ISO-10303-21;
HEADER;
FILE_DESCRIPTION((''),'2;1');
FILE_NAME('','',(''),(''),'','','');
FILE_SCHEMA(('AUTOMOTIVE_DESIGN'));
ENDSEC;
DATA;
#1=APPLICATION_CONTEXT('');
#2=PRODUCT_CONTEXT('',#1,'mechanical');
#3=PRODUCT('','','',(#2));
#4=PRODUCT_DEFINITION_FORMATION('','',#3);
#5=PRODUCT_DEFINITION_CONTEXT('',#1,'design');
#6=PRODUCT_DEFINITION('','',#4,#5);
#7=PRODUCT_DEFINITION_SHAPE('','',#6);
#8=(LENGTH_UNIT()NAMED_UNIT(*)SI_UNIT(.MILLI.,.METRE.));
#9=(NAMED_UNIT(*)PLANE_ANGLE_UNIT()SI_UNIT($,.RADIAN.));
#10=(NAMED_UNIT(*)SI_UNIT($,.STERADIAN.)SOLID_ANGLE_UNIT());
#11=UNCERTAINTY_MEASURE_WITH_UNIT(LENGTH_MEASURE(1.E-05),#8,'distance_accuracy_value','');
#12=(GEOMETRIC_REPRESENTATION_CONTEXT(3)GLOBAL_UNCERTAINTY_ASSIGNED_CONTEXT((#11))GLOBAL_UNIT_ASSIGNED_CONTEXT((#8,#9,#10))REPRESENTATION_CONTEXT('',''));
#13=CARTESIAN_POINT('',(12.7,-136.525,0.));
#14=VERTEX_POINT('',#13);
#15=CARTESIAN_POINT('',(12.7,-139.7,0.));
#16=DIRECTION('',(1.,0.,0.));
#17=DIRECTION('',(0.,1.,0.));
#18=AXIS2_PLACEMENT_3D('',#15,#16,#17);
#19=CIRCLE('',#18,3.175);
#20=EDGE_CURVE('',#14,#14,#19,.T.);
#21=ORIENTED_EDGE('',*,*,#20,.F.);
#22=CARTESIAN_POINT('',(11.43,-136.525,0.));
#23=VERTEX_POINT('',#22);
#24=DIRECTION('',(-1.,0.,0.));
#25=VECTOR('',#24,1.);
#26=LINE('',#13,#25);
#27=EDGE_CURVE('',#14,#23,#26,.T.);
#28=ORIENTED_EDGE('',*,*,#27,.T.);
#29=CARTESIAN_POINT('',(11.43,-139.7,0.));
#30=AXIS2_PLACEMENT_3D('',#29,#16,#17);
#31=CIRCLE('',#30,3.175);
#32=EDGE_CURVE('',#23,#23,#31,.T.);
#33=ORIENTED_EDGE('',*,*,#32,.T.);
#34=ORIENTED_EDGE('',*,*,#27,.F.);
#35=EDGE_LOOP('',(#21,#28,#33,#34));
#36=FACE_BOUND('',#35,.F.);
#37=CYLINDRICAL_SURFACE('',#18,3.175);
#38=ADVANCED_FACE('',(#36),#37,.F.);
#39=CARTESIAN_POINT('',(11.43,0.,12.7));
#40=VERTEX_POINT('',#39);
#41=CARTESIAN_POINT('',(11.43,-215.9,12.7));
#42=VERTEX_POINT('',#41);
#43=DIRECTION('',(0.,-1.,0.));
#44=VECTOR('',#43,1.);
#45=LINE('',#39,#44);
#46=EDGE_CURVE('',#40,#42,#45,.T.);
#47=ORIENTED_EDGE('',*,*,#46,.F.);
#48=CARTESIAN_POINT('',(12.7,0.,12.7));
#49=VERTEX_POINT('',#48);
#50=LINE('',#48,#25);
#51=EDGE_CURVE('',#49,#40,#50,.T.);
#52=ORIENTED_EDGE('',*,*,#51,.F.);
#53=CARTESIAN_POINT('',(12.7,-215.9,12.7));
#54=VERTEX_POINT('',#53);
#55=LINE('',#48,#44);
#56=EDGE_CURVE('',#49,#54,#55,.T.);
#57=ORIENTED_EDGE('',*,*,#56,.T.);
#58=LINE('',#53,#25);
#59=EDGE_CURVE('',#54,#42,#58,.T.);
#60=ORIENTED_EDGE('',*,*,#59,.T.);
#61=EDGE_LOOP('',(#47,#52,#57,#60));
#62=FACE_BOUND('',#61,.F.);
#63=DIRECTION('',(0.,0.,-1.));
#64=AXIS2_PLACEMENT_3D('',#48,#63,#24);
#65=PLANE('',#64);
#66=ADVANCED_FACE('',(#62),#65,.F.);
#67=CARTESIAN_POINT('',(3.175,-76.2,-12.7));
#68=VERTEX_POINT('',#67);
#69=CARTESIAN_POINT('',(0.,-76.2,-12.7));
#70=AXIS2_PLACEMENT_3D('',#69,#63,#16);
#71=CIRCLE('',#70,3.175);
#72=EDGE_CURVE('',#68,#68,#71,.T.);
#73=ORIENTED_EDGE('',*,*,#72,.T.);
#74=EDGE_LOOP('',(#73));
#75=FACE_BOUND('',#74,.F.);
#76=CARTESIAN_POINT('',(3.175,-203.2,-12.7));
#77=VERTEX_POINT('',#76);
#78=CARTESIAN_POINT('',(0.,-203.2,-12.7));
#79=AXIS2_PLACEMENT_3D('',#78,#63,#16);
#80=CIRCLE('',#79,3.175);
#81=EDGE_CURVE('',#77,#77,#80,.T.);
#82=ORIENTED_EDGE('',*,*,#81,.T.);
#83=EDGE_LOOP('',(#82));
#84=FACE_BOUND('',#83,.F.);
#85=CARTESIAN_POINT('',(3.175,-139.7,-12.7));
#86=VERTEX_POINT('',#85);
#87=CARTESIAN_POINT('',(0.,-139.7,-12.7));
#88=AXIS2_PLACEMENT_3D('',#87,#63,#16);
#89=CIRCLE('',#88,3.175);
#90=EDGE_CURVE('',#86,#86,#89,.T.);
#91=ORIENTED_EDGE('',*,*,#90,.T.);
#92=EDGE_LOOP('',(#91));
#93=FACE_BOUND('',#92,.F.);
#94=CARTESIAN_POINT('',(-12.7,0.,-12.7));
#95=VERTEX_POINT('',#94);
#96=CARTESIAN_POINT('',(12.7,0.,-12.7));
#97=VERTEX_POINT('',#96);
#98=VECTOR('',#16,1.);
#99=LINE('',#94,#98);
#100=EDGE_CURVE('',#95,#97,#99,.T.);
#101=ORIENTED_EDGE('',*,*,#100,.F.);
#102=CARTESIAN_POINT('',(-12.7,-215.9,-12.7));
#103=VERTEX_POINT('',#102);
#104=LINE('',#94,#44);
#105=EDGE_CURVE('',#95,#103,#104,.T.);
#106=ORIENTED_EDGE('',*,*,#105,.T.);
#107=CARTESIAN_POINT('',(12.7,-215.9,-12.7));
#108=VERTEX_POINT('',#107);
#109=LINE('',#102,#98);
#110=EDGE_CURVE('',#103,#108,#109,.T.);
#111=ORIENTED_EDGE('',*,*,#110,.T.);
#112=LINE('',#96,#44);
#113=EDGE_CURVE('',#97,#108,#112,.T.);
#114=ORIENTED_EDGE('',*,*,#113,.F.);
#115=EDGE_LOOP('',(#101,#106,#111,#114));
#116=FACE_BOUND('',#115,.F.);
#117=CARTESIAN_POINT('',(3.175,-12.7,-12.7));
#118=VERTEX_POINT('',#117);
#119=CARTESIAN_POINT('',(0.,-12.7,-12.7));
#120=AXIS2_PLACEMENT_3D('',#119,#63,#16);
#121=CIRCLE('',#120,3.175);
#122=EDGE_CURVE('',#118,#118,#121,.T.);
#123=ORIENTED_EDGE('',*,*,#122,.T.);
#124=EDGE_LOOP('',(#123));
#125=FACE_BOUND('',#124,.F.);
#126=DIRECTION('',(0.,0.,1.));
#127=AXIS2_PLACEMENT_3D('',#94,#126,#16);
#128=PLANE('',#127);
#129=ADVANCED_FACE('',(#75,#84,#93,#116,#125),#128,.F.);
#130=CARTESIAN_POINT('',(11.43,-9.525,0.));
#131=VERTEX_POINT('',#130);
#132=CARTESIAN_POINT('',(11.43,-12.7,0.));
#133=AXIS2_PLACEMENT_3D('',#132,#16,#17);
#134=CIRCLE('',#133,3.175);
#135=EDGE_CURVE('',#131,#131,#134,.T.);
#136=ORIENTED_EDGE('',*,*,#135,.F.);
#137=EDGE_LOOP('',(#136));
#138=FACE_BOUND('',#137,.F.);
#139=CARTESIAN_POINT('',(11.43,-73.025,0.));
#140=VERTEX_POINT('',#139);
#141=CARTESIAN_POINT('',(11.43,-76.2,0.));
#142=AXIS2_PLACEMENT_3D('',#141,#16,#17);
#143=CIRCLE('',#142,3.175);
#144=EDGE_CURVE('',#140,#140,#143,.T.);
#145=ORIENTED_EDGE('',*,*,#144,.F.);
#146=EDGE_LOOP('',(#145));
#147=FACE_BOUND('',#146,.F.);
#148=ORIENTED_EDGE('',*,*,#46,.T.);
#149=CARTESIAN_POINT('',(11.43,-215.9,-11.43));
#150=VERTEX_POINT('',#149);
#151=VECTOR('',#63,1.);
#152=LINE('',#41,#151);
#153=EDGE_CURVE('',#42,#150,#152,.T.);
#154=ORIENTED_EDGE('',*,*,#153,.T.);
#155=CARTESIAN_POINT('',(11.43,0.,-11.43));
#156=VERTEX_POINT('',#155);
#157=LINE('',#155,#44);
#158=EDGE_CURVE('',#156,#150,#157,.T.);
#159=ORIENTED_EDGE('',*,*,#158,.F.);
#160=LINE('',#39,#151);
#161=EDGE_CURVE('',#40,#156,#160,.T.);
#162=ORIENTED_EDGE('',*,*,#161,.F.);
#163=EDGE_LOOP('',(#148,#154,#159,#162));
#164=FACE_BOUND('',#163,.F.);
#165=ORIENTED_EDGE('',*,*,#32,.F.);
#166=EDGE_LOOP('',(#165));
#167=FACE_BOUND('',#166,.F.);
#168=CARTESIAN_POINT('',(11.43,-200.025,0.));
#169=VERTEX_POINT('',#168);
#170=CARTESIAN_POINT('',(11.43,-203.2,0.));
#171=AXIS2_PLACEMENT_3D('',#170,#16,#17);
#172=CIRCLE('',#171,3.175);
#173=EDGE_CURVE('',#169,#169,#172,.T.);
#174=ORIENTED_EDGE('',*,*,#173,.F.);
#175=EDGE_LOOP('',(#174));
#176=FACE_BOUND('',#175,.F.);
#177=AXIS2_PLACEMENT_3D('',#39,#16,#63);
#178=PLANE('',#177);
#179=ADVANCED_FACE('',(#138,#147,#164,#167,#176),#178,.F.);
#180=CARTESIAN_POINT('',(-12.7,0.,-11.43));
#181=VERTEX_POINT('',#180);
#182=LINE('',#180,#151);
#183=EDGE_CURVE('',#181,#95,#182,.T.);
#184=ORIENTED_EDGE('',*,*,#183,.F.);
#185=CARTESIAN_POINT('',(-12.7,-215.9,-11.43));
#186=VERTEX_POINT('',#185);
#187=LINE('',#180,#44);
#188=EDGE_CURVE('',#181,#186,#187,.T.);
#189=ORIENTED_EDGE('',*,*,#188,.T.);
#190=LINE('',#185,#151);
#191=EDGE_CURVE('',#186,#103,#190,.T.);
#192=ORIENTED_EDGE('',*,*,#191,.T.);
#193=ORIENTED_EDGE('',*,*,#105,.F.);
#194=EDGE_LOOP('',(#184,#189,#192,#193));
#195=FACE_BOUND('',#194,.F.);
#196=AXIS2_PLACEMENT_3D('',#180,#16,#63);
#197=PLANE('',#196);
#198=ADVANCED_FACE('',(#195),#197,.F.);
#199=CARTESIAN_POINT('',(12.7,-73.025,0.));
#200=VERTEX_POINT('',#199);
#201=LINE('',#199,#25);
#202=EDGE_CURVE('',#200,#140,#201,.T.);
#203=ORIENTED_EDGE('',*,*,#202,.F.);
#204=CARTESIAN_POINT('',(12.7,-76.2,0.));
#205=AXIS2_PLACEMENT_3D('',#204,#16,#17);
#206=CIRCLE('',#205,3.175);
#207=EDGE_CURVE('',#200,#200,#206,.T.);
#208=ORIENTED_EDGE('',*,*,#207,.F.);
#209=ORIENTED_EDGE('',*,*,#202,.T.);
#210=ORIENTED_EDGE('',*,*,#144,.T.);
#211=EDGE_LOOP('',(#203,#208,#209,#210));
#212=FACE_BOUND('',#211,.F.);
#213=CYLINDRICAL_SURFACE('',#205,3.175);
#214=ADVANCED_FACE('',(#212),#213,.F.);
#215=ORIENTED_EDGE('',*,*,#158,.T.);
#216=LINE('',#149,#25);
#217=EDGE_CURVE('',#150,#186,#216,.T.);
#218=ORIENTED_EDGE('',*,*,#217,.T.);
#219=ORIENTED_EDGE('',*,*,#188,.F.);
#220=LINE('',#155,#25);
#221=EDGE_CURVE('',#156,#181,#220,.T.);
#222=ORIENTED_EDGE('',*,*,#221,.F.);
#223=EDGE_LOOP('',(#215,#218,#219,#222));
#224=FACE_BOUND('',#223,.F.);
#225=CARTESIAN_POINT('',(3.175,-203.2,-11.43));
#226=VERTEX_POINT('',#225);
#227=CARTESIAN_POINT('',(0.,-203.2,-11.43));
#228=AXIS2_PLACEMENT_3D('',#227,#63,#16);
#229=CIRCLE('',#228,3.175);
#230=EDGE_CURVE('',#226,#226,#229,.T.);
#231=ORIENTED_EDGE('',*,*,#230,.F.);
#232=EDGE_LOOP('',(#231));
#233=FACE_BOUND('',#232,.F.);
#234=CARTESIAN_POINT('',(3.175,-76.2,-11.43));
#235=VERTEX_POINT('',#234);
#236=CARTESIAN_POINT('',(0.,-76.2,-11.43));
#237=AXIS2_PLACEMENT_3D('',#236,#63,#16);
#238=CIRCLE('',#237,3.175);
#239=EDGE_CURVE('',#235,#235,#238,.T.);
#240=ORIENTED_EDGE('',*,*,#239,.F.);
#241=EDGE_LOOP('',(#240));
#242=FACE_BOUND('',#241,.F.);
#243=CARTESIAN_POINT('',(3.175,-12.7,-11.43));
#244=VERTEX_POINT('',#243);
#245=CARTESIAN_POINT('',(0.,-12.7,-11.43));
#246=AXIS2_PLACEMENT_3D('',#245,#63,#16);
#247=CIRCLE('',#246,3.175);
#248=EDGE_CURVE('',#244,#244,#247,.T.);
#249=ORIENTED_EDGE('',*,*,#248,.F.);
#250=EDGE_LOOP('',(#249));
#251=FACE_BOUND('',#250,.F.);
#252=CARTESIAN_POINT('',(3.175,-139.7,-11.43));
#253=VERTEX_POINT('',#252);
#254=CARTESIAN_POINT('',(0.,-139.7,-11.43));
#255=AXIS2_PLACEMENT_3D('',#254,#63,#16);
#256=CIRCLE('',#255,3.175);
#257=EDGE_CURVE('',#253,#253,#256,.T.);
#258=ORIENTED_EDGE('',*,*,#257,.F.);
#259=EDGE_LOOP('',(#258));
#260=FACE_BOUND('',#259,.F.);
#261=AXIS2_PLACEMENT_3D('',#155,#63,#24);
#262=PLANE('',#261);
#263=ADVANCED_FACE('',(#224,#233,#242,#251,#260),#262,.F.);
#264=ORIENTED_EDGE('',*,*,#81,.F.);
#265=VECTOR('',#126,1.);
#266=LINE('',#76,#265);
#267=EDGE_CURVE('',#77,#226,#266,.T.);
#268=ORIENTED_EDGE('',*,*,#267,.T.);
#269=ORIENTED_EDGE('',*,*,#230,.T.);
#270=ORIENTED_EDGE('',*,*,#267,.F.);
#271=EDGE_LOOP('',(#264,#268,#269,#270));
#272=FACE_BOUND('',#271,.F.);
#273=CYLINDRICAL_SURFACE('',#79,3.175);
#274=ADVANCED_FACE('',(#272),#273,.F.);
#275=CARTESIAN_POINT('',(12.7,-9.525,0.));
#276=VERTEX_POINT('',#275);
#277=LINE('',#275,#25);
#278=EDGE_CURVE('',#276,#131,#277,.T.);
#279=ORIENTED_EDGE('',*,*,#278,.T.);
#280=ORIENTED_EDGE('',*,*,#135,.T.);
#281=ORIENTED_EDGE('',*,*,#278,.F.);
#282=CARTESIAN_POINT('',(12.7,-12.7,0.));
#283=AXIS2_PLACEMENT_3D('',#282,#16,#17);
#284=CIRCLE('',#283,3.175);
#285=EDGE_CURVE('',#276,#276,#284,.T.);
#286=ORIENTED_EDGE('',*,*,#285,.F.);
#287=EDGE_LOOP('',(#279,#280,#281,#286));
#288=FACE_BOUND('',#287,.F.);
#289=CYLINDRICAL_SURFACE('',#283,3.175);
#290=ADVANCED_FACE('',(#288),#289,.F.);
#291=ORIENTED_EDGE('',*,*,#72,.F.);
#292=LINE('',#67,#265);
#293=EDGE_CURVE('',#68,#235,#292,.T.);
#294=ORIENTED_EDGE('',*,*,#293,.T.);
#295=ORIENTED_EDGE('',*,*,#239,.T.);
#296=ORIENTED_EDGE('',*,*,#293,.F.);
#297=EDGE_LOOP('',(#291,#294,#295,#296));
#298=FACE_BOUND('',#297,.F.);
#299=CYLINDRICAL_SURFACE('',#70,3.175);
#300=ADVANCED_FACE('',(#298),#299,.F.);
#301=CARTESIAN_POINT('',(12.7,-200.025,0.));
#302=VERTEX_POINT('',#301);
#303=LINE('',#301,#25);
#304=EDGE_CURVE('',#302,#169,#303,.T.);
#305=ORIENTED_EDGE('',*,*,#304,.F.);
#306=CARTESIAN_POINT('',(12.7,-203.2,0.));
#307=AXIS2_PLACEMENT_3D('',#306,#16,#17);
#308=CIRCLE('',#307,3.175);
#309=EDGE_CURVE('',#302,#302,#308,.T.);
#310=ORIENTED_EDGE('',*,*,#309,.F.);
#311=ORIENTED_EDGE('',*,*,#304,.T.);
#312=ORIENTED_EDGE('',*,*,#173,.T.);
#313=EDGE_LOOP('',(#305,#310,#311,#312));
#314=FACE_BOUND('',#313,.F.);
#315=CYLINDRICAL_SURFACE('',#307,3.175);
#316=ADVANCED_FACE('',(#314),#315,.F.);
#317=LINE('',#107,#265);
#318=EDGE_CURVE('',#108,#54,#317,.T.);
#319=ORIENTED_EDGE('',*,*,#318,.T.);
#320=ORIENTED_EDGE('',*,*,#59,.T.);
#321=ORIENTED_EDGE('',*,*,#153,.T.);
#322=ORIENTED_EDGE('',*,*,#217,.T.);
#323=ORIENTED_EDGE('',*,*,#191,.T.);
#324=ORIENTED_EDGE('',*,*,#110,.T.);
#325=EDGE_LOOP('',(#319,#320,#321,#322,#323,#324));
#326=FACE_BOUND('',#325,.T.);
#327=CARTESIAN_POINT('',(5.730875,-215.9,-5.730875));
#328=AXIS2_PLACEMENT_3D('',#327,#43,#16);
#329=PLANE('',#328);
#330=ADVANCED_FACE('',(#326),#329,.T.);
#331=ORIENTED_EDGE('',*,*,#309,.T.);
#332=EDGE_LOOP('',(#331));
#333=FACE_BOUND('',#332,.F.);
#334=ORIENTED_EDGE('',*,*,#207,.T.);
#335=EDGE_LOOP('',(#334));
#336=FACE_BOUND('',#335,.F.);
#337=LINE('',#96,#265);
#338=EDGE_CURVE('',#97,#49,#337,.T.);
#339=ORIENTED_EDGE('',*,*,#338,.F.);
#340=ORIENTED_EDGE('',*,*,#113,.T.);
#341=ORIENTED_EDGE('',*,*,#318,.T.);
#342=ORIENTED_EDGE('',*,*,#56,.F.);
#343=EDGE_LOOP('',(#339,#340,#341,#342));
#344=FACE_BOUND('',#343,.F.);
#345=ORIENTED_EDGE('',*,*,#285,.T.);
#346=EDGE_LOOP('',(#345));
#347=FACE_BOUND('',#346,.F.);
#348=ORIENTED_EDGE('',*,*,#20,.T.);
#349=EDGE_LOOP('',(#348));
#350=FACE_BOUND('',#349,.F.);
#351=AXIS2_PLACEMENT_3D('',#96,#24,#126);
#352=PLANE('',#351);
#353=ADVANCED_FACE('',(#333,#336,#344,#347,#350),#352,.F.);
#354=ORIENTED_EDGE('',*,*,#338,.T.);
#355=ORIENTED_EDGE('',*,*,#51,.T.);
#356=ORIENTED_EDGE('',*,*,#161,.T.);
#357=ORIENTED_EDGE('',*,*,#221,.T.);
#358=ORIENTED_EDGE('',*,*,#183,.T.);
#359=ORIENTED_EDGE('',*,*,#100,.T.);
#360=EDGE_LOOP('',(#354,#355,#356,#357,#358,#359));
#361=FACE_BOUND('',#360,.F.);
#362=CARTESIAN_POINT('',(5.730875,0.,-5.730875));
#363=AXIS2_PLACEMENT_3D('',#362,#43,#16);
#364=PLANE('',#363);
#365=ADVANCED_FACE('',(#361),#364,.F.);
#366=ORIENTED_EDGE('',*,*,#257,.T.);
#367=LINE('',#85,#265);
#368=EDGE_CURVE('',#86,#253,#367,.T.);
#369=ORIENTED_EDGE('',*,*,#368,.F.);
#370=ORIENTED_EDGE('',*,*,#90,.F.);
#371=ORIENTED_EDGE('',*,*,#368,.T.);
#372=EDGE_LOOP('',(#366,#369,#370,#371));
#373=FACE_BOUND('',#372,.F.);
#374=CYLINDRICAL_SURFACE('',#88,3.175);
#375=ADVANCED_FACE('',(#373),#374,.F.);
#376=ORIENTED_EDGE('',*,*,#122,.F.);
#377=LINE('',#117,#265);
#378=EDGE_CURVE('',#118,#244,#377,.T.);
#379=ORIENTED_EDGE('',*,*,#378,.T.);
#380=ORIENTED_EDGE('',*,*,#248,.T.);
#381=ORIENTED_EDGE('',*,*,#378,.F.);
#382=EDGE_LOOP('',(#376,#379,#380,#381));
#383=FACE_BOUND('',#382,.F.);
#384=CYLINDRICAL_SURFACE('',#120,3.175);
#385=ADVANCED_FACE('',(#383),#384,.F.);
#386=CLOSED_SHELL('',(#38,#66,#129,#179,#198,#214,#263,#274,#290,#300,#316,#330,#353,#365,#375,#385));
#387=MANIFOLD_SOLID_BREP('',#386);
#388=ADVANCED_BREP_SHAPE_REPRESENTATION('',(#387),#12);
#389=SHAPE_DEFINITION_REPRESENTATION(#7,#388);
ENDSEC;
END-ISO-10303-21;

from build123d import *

# Parameters (mm, degrees)
F1_DEPTH = 215.9
F2_R     = 3.175
F3_DEPTH = 25.401
F4_R     = 3.175
F5_DEPTH = 25.4


with BuildPart() as f1:
    # F0 (on Front) → F1 (new body)
    with BuildSketch(Plane.XZ):
        Polygon((-12.7, -11.43), (-12.7, -12.7), (12.7, -12.7), (12.7, 12.7), (11.43, 12.7), (11.43, -11.43), align=None)
    extrude(amount=F1_DEPTH)

    # F2 (on face) → F3 (cut, through all)
    with BuildSketch(Plane(origin=(0, 0, -12.7), x_dir=(1, 0, 0), z_dir=(0, 0, -1))):
        with Locations((0, 203.2)):
            Circle(F2_R)
        with Locations((0, 139.7)):
            Circle(F2_R)
        with Locations((0, 76.2)):
            Circle(F2_R)
        with Locations((0, 12.7)):
            Circle(F2_R)
    extrude(amount=-F3_DEPTH, mode=Mode.SUBTRACT)

    # F4 (on face) → F5 (cut)
    with BuildSketch(Plane.YZ.offset(12.7)):
        with Locations((-139.7, 0)):
            Circle(F4_R)
        with Locations((-203.2, 0)):
            Circle(F4_R)
        with Locations((-76.2, 0)):
            Circle(F4_R)
        with Locations((-12.7, 0)):
            Circle(F4_R)
    extrude(amount=-F5_DEPTH, mode=Mode.SUBTRACT)


solid = f1.part
